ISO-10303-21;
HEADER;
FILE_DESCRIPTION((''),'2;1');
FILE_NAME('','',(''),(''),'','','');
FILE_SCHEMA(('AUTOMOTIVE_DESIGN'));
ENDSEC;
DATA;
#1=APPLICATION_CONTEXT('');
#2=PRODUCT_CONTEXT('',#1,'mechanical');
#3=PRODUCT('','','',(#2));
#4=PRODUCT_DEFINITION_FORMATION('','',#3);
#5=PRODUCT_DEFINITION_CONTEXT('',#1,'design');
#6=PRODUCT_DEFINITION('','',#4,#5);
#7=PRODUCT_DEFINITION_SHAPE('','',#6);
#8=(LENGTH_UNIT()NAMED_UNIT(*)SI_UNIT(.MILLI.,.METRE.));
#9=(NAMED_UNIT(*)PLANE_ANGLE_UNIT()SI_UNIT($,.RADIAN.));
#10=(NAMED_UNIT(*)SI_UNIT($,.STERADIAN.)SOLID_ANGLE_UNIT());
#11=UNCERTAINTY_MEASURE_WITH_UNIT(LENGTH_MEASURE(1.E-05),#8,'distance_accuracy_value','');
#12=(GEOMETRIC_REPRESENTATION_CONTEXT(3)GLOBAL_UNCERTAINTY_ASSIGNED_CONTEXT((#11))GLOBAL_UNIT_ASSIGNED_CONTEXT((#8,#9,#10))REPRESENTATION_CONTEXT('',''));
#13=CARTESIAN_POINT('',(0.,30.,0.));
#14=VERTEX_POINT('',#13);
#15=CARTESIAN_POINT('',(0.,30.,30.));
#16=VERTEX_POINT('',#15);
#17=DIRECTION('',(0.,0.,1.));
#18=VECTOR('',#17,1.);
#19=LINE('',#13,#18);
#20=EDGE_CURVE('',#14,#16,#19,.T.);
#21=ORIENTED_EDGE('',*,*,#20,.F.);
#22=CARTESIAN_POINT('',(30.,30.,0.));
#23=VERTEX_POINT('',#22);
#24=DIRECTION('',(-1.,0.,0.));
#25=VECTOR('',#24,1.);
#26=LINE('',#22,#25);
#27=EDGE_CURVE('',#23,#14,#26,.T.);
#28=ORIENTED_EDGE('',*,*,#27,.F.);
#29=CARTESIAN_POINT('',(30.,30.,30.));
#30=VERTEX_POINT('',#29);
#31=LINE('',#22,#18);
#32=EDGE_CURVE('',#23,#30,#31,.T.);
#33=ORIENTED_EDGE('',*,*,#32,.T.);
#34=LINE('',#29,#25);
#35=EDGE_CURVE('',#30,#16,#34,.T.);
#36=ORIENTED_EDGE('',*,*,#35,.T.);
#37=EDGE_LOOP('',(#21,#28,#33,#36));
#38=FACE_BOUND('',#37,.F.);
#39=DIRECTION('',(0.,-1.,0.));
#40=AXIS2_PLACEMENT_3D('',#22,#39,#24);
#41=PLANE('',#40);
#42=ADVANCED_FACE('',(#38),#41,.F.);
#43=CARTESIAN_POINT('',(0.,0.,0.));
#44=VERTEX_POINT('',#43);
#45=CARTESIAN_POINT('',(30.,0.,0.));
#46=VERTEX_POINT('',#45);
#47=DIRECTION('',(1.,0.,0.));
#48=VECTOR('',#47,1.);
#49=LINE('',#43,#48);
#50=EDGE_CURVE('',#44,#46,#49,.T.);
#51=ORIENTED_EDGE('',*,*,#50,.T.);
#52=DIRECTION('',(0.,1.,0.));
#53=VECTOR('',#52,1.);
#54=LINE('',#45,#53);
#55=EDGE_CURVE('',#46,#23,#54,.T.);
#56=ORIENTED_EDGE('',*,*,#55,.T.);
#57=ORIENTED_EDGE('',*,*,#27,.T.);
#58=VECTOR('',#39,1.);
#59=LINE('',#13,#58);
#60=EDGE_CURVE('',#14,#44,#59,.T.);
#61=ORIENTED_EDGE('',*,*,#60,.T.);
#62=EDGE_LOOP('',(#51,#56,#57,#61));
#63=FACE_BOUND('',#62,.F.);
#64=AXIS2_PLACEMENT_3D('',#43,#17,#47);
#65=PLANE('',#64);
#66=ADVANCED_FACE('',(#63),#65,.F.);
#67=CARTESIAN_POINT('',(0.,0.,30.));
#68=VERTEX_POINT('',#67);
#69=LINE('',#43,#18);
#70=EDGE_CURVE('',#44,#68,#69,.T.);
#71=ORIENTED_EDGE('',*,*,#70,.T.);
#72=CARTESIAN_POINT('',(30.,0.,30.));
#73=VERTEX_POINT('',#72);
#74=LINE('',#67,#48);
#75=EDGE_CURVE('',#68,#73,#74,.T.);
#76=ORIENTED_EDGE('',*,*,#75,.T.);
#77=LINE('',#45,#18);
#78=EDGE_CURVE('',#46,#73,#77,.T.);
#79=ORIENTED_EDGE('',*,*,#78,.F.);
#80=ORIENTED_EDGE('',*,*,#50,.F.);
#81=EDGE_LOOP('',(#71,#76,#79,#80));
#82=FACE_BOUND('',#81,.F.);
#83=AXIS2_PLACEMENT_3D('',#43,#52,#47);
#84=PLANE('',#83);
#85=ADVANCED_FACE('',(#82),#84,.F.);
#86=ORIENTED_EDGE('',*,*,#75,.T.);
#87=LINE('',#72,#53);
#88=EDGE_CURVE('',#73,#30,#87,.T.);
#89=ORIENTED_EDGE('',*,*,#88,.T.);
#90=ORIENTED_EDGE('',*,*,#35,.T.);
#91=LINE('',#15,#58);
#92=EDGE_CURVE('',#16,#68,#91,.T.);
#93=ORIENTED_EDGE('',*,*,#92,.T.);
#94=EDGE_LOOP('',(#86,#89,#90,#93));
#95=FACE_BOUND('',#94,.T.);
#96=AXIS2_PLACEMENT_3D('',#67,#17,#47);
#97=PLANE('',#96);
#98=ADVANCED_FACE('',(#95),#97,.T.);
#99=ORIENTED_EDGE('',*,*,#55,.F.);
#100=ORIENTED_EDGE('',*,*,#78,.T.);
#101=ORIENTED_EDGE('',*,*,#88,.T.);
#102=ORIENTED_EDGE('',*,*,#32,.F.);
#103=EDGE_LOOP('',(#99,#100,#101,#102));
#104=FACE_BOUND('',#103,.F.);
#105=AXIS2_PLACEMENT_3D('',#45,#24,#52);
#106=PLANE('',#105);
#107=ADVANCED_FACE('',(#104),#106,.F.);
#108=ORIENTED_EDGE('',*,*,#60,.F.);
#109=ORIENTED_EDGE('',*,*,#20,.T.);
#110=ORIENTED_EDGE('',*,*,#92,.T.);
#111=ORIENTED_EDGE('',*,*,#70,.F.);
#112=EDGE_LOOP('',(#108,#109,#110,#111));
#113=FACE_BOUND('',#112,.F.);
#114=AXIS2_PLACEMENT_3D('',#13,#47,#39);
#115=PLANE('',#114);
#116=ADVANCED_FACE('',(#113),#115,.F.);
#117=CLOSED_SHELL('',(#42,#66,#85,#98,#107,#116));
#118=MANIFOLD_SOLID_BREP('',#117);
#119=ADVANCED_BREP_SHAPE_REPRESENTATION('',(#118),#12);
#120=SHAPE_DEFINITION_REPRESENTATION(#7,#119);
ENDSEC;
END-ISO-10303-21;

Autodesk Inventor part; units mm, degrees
ref_plane "YZ Plane" through (0, 0, 0) normal (1, 0, 0) x (0, 1, 0)
ref_plane "XZ Plane" through (0, 0, 0) normal (0, 1, 0) x (-1, 0, 0)
ref_plane "XY Plane" through (0, 0, 0) normal (0, 0, 1) x (1, 0, 0)
sketch "スケッチ1" plane through (0, 0, 0) normal (0, 0, 1) x (1, 0, 0)
  line L0 (0, 0) -> (30, 0)
  line L1 (30, 0) -> (30, 30)
  line L2 (30, 30) -> (0, 30)
  line L3 (0, 30) -> (0, 0)
extrude "押し出し1" add sketch "スケッチ1" along normal blind 30
properties part number "おもり(回路)"
